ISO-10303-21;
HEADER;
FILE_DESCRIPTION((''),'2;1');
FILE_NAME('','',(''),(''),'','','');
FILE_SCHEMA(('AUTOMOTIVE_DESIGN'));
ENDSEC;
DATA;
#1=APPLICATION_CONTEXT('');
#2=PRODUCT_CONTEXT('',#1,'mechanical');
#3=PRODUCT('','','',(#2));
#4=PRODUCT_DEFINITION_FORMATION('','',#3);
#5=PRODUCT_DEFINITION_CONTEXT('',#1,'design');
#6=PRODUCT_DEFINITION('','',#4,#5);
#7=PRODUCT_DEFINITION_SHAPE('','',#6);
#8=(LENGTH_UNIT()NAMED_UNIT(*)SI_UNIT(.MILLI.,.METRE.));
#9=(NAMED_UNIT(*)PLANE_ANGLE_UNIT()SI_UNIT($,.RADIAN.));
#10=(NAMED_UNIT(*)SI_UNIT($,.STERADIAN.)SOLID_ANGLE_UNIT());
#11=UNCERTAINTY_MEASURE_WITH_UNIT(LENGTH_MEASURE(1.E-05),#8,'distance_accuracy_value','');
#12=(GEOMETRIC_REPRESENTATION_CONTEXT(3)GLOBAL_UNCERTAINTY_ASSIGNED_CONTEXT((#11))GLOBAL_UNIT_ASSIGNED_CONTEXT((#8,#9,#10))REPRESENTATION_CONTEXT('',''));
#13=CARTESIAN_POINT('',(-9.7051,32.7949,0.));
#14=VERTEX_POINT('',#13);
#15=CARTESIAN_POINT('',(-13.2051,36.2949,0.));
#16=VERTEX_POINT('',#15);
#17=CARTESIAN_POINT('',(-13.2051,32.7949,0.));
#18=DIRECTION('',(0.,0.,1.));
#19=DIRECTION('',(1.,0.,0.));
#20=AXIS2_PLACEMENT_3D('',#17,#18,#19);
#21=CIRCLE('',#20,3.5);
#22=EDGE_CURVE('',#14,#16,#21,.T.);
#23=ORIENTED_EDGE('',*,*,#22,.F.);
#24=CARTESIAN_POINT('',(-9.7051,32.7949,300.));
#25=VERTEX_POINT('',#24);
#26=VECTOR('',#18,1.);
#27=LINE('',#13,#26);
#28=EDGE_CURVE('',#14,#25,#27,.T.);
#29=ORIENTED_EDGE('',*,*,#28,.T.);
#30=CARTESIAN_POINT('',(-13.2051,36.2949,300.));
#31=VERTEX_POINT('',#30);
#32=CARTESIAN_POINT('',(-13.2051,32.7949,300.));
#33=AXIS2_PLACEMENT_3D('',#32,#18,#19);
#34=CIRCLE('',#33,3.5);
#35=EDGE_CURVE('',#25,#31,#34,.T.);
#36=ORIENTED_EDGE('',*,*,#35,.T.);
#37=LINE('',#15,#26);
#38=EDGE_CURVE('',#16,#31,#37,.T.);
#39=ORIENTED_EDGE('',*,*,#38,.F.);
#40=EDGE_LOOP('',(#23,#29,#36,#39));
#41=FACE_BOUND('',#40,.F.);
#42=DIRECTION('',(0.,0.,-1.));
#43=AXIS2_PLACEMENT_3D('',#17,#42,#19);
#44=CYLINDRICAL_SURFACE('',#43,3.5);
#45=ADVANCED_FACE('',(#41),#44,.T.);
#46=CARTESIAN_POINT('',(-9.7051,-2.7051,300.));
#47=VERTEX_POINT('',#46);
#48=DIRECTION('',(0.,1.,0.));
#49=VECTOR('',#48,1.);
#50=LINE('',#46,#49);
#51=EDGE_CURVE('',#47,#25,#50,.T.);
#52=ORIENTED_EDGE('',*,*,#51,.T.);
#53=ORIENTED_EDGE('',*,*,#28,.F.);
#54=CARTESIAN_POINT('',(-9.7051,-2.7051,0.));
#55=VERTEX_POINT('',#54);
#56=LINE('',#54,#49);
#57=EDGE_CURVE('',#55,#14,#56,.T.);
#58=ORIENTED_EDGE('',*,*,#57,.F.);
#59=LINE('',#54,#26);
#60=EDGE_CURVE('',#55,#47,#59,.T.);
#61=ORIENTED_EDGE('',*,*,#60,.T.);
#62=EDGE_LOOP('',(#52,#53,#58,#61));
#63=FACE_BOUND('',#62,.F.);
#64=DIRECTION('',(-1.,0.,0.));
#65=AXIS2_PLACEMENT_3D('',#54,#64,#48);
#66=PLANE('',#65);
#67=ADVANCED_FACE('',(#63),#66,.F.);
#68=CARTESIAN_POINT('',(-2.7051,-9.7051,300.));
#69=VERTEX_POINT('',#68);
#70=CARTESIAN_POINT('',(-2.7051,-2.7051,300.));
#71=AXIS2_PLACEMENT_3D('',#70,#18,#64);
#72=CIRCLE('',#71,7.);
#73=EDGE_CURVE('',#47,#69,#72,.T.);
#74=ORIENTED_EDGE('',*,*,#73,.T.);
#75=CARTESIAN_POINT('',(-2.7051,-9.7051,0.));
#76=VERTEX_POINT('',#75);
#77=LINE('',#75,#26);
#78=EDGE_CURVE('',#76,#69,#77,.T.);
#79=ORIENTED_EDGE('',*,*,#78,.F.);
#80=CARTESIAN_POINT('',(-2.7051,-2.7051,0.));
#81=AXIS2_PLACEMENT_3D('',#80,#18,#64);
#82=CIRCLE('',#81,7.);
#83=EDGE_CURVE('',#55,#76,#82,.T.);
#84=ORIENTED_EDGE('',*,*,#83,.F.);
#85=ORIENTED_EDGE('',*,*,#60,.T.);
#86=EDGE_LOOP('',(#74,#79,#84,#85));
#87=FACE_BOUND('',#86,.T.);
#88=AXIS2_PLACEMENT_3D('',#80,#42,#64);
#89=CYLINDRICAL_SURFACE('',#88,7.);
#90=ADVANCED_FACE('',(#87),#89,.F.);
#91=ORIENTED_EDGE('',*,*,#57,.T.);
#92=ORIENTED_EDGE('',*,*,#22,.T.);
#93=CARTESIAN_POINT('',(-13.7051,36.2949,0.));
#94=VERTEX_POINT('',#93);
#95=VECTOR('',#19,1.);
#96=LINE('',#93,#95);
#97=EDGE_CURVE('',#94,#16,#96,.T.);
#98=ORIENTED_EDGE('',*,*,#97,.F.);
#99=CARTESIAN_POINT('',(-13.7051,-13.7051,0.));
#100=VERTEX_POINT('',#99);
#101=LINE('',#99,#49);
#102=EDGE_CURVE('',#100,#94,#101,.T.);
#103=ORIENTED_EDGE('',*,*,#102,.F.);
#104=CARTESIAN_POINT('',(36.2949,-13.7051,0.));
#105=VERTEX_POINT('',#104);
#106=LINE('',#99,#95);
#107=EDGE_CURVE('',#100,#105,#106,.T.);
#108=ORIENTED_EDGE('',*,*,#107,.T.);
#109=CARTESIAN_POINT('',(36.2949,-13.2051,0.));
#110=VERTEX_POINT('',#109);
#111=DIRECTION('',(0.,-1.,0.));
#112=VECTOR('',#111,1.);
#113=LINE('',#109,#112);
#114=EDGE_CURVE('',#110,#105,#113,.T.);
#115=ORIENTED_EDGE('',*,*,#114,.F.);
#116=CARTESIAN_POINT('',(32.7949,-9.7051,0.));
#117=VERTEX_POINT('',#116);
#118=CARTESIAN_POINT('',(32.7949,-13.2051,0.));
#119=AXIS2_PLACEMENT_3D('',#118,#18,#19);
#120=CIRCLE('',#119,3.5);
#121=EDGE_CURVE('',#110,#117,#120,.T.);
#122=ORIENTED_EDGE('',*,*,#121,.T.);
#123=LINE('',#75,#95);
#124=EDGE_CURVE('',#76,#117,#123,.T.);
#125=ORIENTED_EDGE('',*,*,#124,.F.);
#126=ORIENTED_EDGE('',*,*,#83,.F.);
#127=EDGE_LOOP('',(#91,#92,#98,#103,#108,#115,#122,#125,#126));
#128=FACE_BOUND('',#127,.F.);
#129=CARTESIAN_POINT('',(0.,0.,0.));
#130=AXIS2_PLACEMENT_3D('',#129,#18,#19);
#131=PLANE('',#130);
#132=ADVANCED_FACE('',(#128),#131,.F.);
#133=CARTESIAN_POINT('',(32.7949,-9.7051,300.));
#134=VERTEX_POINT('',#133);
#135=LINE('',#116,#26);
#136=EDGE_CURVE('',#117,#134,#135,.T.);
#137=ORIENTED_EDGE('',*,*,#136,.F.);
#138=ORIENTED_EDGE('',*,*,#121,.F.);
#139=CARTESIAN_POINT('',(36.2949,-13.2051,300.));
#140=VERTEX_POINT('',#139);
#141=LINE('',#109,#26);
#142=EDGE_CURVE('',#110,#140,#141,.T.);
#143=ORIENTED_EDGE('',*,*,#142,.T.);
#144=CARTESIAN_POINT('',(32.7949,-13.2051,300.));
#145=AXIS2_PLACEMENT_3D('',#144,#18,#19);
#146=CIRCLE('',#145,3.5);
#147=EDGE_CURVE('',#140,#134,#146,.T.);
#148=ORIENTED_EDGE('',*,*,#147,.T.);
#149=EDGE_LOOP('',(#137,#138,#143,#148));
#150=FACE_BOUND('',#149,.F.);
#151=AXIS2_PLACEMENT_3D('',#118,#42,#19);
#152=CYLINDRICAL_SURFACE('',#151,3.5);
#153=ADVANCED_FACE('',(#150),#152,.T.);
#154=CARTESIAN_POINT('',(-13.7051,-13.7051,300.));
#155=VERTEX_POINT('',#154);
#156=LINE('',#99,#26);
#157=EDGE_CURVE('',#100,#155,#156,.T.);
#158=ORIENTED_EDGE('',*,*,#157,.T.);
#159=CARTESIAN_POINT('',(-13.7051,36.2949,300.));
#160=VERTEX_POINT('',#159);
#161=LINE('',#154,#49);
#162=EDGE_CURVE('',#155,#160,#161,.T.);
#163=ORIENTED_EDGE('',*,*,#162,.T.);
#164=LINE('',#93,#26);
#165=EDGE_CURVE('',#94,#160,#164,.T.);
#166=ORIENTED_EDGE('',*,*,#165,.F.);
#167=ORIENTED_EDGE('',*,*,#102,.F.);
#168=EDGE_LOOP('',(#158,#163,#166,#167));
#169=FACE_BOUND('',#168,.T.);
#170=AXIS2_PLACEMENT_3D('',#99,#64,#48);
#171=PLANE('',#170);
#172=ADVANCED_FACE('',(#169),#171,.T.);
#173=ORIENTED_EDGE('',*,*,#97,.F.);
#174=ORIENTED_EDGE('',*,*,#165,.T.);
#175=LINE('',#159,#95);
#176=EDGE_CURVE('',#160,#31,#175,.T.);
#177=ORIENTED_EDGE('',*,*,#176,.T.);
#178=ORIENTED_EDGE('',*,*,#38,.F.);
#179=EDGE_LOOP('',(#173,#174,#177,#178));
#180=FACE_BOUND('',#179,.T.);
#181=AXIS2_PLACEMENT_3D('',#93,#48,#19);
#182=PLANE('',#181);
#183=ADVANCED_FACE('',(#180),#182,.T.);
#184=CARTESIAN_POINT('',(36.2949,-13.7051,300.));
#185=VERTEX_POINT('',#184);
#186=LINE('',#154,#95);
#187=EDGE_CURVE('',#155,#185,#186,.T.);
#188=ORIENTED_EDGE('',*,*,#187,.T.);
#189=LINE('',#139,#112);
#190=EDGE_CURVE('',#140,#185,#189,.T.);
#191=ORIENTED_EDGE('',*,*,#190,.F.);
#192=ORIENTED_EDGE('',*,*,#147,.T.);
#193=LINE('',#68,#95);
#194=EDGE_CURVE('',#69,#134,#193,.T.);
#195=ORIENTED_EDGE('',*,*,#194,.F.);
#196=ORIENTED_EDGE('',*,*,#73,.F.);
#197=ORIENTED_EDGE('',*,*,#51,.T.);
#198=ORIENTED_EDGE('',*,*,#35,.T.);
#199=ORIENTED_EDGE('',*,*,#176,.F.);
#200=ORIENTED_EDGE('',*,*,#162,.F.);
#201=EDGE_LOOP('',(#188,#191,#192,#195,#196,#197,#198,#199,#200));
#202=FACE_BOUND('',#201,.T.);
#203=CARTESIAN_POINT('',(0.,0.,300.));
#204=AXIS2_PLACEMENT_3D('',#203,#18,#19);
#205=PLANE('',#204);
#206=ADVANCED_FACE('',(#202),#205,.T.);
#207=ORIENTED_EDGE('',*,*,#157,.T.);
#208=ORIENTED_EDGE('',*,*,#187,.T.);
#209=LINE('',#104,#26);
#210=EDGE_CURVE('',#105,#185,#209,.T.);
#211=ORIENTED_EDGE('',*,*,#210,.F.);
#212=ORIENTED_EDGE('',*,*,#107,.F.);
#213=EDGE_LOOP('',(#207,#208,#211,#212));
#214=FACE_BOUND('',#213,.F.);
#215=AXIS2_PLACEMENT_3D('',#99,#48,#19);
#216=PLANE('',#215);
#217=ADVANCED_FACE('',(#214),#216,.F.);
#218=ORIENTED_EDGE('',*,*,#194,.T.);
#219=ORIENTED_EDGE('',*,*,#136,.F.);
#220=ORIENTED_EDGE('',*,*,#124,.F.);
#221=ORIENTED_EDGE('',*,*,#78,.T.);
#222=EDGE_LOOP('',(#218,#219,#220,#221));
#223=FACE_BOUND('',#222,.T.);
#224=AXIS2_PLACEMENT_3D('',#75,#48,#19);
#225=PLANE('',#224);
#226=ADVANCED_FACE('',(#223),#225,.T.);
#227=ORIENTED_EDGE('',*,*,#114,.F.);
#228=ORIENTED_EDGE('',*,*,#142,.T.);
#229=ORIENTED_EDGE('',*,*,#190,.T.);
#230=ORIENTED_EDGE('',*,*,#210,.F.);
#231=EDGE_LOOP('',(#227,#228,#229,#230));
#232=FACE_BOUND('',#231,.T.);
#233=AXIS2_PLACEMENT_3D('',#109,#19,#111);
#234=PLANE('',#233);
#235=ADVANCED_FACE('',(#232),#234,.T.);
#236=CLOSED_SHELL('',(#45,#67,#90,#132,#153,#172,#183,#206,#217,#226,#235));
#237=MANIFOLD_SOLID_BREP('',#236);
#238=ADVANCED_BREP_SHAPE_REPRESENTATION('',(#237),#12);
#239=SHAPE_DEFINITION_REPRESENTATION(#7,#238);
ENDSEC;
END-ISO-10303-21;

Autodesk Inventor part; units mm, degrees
ref_plane "YZ Plane" through (0, 0, 0) normal (1, 0, 0) x (0, 1, 0)
ref_plane "Płaszczyzna początkowa" through (0, 0, 0) normal (0, 0, 1) x (1, 0, 0)
ref_plane "Płaszczyzna końcowa" through (0, 0, 300) normal (0, 0, 1) x (1, 0, 0)
sketch "Szkic2" plane through (0, 0, 0) normal (0, 0, 1) x (1, 0, 0)
  line L0 (-9.7051, -2.7051) -> (-9.7051, 32.7949)
  line L1 (-13.7051, 36.2949) -> (-13.2051, 36.2949)
  line L2 (-13.7051, -13.7051) -> (-13.7051, 36.2949)
  line L3 (-13.7051, -13.7051) -> (36.2949, -13.7051)
  line L4 (36.2949, -13.2051) -> (36.2949, -13.7051)
  line L5 (-2.7051, -9.7051) -> (32.7949, -9.7051)
  arc A0 (-9.7051, -2.7051) -> (-2.7051, -9.7051) centre (-2.7051, -2.7051) ccw
  arc A1 (-9.7051, 32.7949) -> (-13.2051, 36.2949) centre (-13.2051, 32.7949) ccw
  arc A2 (36.2949, -13.2051) -> (32.7949, -9.7051) centre (32.7949, -13.2051) ccw
  line L6 (0, 60.8698) -> (0, -10.145) construction
  line L7 (-10.145, 0) -> (60.8698, 0) construction
  point P0 (-9.7051, -9.7051)
  point P1 (-9.7051, 36.2949)
  point P2 (36.2949, -9.7051)
  dimension "d4" = 50
  dimension "d6" = 50
  dimension "d8" = 4
  dimension "d10" = 4
  dimension "d17" = 7
  dimension "d18" = 3.5
  dimension "d19" = 13.7051
  dimension "d20" = 13.7051
extrude "Bryła" add sketch "Szkic2" along normal up to surface (300 mm away) from surface at 0
sketch "Sketch3" plane through (0, 0, 0) normal (0, 0, 1) x (1, 0, 0)
  line L0 (0, 0) -> (10, 0)
ref_plane "Work Plane10" through (0, 0, 0) normal (0, -1, 0) x (1, 0, 0)
sketch "Sketch4" plane through (0, 0, 0) normal (0, -1, 0) x (1, 0, 0)
  line L0 (-2, 0) -> (12, 0)
  line L1 (-2, 300) -> (12, 300)
  dimension "d24" = 300
equation "\"d4\" = b"
equation "\"d6\" = b"
equation "\"d8\" = ParT"
equation "\"d10\" = ParT"
equation "\"d17\" = R"
equation "\"d18\" = R1"
equation "\"d19\" = ex"
equation "\"d20\" = d19"
equation "\"d11\" = G_L"
equation "\"b\" = 50"
equation "\"ParT\" = 4"
equation "\"R\" = 7"
equation "\"R1\" = 3.5"
equation "\"G_L\" = d24"
equation "\"G_OFFSET_START\" = 0"
equation "\"G_OFFSET_END\" = 0"
equation "\"ex\" = 13.705065"
properties part number "PN EN 10056-1 - L50x50x4-300" material "Stal, miękka"
